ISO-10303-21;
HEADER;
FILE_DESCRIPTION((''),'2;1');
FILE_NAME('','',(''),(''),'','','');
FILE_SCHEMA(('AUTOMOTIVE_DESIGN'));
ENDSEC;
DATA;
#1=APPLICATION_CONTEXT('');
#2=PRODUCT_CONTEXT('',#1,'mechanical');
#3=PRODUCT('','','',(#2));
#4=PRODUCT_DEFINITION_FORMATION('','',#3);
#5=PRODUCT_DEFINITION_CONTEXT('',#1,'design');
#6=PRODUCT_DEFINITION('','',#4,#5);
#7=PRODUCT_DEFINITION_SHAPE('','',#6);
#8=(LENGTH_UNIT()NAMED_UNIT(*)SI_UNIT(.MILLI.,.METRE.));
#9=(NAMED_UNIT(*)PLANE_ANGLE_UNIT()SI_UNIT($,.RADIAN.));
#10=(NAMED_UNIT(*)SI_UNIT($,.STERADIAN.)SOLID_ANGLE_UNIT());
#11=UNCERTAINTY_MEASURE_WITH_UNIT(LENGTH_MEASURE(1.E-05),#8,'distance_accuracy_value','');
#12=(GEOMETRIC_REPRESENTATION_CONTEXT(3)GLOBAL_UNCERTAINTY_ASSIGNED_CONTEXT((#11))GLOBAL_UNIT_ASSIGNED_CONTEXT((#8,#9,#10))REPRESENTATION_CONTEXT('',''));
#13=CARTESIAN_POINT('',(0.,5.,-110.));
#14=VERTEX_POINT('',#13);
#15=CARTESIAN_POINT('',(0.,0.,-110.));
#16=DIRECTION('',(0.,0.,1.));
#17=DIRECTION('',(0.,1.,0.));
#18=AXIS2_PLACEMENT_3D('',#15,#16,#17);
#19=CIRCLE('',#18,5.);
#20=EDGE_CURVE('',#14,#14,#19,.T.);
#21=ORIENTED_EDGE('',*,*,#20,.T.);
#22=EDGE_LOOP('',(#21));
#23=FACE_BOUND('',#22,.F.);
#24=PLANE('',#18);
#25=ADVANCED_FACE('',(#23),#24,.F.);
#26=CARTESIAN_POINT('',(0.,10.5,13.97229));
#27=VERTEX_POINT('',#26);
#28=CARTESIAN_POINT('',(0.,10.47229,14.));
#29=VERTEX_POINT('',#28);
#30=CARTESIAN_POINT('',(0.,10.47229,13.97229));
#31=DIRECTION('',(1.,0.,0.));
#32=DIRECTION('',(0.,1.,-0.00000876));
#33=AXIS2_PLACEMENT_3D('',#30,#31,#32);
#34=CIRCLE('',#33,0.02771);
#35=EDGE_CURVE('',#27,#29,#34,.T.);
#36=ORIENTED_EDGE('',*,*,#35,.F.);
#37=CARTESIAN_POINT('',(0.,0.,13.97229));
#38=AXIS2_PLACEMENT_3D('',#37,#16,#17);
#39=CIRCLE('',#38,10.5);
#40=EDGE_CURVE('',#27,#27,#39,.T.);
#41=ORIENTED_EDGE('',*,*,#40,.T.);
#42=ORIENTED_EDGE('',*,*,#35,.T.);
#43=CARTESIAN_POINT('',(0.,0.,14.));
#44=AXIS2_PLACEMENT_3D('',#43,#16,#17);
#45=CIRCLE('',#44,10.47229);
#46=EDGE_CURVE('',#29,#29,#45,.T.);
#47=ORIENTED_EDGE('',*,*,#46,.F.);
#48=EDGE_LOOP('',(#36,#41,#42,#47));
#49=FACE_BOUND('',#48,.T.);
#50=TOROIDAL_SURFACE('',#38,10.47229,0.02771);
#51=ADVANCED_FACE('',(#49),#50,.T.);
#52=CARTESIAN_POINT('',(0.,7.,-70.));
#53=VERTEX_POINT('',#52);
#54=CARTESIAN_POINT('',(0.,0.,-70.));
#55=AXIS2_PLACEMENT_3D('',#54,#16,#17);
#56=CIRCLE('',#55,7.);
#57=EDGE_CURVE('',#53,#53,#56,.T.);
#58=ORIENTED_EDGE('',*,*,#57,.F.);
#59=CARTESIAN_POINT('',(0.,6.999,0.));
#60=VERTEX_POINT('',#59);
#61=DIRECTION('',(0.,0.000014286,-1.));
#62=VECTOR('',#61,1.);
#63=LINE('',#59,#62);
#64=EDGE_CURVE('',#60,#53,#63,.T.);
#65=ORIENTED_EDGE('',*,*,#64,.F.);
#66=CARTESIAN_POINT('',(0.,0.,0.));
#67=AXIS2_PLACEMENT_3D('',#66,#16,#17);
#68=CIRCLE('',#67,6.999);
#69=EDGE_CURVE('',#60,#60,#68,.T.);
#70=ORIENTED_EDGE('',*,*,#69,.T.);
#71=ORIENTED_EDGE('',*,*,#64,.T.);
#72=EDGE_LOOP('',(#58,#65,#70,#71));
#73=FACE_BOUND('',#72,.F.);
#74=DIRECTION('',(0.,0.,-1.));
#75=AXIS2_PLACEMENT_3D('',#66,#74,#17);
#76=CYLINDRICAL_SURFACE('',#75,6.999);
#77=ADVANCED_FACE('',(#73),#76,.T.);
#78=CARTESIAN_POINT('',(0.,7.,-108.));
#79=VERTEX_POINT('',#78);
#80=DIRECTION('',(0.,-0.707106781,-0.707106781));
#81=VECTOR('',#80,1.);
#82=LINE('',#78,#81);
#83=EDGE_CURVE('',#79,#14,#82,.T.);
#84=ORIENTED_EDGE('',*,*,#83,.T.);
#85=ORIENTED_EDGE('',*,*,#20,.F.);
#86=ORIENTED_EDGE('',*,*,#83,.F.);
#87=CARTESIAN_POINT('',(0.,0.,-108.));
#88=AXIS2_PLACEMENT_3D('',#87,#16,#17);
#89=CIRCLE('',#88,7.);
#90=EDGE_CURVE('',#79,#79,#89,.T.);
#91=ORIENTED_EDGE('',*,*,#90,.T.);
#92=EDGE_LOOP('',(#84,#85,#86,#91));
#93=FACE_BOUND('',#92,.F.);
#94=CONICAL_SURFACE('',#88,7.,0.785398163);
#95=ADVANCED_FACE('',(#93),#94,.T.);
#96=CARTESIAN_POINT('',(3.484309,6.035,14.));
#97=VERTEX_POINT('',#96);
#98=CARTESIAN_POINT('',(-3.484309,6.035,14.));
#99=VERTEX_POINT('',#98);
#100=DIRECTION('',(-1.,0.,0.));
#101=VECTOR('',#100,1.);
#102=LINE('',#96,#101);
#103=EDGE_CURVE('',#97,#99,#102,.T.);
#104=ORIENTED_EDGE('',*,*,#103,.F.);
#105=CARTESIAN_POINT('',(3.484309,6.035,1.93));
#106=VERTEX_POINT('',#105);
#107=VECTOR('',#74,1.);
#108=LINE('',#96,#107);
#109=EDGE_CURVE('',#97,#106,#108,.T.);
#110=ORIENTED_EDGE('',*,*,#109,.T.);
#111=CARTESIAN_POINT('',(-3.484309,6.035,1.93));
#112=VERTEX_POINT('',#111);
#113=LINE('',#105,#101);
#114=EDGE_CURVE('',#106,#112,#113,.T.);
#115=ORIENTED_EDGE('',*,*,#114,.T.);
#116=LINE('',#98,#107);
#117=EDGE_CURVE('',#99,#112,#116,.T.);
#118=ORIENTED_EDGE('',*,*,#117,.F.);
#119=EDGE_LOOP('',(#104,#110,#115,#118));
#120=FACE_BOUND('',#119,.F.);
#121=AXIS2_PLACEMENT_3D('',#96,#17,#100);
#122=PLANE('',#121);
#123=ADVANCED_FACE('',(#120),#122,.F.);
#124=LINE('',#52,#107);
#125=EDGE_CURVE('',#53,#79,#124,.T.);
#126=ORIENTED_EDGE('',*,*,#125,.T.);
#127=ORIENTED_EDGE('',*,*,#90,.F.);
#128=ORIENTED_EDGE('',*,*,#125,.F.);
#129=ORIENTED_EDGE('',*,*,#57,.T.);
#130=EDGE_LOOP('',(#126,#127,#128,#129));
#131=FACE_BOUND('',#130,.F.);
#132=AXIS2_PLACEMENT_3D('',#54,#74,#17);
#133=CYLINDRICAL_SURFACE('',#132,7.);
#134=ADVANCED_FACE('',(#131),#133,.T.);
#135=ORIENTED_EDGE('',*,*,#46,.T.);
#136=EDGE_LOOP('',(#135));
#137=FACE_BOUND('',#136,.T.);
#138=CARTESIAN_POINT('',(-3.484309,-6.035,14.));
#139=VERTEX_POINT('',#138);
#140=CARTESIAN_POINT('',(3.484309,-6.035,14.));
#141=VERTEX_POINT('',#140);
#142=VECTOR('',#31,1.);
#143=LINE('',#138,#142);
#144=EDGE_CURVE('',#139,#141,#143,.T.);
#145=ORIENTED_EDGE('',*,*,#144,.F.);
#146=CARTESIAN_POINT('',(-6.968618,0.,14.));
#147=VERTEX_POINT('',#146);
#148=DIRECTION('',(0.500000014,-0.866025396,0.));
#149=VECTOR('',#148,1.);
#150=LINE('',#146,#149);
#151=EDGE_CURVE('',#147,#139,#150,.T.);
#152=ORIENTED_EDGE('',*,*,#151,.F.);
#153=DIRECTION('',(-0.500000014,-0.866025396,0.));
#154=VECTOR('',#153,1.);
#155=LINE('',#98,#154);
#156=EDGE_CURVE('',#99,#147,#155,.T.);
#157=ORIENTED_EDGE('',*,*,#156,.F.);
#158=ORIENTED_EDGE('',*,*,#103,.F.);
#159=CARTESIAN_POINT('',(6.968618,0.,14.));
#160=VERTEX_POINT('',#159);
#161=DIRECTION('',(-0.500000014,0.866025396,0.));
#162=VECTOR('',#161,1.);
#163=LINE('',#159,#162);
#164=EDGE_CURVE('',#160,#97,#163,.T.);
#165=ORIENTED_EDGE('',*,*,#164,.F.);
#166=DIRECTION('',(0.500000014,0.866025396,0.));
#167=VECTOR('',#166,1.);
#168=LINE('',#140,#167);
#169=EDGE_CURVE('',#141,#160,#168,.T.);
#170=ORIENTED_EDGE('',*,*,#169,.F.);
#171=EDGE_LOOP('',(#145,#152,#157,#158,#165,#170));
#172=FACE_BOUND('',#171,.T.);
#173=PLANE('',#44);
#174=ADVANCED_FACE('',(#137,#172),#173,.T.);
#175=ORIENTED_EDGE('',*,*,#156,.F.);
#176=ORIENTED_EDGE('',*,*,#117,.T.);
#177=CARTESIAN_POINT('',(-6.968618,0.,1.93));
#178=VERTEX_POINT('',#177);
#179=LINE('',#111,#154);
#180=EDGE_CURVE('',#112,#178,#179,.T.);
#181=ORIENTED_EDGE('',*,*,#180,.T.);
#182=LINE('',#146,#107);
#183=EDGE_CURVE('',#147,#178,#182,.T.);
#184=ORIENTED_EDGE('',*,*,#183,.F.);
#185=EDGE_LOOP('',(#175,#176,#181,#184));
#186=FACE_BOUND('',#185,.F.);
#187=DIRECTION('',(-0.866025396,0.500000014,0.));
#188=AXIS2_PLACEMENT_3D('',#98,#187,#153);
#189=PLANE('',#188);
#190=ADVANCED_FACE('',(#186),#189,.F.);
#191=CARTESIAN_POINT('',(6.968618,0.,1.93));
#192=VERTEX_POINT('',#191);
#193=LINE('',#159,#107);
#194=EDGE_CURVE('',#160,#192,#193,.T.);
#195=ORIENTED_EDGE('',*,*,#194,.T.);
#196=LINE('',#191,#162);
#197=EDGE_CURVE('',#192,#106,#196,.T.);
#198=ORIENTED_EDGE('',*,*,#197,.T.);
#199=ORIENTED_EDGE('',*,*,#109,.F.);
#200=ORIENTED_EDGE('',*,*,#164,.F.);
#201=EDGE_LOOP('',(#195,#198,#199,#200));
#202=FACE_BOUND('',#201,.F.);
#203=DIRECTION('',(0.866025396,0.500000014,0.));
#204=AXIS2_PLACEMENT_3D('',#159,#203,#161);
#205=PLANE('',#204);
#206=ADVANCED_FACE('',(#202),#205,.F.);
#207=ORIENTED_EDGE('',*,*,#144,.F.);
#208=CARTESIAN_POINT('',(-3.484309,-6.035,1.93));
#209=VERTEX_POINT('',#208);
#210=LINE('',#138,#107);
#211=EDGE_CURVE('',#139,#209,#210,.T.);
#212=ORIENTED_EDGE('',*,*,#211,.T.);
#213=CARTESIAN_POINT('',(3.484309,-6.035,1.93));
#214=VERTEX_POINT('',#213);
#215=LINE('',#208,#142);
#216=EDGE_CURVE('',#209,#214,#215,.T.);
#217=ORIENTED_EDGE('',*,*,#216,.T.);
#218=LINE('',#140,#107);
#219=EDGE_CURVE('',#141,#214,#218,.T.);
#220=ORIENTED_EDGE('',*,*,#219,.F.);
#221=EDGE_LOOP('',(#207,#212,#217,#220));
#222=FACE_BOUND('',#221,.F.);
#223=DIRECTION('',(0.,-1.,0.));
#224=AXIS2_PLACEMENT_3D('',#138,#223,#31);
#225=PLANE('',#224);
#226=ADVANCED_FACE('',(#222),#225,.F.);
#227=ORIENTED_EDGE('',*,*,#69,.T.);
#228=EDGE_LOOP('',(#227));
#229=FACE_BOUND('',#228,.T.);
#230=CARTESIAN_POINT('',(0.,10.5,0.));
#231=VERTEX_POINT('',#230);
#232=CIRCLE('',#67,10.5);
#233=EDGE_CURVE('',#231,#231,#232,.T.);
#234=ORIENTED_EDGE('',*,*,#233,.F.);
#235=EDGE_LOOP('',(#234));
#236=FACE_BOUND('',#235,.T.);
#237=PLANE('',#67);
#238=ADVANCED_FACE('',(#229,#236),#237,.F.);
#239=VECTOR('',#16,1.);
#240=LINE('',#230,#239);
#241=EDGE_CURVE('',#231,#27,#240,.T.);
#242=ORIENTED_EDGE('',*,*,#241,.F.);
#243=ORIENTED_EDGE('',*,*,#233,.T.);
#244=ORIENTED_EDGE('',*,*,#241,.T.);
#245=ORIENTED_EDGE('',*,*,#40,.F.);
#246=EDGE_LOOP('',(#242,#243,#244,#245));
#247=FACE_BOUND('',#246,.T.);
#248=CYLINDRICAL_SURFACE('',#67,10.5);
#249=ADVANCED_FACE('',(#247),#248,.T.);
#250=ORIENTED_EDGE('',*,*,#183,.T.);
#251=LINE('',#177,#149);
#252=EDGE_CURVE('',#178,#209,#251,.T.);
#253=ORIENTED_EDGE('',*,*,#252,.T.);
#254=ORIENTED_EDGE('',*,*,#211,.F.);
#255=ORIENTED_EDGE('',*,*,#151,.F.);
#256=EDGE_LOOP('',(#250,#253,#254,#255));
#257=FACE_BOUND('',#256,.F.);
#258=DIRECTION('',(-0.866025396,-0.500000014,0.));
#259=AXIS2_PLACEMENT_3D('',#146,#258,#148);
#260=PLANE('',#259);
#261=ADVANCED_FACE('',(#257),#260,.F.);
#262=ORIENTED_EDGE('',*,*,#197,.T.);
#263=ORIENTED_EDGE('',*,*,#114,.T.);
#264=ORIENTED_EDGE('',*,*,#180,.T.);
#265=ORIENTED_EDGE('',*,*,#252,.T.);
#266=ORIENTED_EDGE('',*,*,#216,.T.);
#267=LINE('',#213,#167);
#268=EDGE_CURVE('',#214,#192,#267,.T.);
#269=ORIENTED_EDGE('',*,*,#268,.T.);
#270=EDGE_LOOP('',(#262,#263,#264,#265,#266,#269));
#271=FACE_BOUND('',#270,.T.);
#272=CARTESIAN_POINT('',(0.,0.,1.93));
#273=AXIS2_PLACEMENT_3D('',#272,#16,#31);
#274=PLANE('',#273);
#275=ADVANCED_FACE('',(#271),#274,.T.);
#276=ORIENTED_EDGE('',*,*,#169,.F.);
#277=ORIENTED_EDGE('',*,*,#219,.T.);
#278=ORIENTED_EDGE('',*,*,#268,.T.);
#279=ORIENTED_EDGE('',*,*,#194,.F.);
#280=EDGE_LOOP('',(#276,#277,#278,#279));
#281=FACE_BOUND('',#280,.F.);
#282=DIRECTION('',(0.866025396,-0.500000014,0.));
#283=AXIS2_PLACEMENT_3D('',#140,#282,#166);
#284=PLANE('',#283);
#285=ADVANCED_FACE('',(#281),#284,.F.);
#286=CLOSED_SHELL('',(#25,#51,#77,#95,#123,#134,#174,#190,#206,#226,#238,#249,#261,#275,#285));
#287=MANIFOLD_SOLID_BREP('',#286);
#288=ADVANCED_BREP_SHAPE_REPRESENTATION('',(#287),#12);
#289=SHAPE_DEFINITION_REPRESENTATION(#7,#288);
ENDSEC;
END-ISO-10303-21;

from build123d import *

# Parameters (mm, degrees)
POCKET_DEPTH = 12.07


with BuildPart() as part:
    # Sketch → Revolve (revolve)
    with BuildSketch(Plane.YZ):
        with BuildLine():
            Line((6.999, 0), (10.5, 0))
            Line((10.5, 0), (10.5, 13.97229))
            ThreePointArc((10.5, 13.97229), (10.491884, 13.991884), (10.47229, 14))
            Line((10.47229, 14), (0, 14))
            Line((0, -110), (0, 14))
            Line((5, -110), (0, -110))
            Line((7, -108), (5, -110))
            Line((7, -70), (7, -108))
            Line((6.999, 0), (7, -70))
        make_face()
    revolve(axis=Axis((0, 0, 0), (0, 0, 1)))

    # Sketch001 → Pocket (cut)
    with BuildSketch(Plane.XY.offset(14)):
        Polygon((6.968618, 0), (3.484309, 6.035), (-3.484309, 6.035), (-6.968618, 0), (-3.484309, -6.035), (3.484309, -6.035), align=None)
    extrude(amount=-POCKET_DEPTH, mode=Mode.SUBTRACT)


solid = part.part
